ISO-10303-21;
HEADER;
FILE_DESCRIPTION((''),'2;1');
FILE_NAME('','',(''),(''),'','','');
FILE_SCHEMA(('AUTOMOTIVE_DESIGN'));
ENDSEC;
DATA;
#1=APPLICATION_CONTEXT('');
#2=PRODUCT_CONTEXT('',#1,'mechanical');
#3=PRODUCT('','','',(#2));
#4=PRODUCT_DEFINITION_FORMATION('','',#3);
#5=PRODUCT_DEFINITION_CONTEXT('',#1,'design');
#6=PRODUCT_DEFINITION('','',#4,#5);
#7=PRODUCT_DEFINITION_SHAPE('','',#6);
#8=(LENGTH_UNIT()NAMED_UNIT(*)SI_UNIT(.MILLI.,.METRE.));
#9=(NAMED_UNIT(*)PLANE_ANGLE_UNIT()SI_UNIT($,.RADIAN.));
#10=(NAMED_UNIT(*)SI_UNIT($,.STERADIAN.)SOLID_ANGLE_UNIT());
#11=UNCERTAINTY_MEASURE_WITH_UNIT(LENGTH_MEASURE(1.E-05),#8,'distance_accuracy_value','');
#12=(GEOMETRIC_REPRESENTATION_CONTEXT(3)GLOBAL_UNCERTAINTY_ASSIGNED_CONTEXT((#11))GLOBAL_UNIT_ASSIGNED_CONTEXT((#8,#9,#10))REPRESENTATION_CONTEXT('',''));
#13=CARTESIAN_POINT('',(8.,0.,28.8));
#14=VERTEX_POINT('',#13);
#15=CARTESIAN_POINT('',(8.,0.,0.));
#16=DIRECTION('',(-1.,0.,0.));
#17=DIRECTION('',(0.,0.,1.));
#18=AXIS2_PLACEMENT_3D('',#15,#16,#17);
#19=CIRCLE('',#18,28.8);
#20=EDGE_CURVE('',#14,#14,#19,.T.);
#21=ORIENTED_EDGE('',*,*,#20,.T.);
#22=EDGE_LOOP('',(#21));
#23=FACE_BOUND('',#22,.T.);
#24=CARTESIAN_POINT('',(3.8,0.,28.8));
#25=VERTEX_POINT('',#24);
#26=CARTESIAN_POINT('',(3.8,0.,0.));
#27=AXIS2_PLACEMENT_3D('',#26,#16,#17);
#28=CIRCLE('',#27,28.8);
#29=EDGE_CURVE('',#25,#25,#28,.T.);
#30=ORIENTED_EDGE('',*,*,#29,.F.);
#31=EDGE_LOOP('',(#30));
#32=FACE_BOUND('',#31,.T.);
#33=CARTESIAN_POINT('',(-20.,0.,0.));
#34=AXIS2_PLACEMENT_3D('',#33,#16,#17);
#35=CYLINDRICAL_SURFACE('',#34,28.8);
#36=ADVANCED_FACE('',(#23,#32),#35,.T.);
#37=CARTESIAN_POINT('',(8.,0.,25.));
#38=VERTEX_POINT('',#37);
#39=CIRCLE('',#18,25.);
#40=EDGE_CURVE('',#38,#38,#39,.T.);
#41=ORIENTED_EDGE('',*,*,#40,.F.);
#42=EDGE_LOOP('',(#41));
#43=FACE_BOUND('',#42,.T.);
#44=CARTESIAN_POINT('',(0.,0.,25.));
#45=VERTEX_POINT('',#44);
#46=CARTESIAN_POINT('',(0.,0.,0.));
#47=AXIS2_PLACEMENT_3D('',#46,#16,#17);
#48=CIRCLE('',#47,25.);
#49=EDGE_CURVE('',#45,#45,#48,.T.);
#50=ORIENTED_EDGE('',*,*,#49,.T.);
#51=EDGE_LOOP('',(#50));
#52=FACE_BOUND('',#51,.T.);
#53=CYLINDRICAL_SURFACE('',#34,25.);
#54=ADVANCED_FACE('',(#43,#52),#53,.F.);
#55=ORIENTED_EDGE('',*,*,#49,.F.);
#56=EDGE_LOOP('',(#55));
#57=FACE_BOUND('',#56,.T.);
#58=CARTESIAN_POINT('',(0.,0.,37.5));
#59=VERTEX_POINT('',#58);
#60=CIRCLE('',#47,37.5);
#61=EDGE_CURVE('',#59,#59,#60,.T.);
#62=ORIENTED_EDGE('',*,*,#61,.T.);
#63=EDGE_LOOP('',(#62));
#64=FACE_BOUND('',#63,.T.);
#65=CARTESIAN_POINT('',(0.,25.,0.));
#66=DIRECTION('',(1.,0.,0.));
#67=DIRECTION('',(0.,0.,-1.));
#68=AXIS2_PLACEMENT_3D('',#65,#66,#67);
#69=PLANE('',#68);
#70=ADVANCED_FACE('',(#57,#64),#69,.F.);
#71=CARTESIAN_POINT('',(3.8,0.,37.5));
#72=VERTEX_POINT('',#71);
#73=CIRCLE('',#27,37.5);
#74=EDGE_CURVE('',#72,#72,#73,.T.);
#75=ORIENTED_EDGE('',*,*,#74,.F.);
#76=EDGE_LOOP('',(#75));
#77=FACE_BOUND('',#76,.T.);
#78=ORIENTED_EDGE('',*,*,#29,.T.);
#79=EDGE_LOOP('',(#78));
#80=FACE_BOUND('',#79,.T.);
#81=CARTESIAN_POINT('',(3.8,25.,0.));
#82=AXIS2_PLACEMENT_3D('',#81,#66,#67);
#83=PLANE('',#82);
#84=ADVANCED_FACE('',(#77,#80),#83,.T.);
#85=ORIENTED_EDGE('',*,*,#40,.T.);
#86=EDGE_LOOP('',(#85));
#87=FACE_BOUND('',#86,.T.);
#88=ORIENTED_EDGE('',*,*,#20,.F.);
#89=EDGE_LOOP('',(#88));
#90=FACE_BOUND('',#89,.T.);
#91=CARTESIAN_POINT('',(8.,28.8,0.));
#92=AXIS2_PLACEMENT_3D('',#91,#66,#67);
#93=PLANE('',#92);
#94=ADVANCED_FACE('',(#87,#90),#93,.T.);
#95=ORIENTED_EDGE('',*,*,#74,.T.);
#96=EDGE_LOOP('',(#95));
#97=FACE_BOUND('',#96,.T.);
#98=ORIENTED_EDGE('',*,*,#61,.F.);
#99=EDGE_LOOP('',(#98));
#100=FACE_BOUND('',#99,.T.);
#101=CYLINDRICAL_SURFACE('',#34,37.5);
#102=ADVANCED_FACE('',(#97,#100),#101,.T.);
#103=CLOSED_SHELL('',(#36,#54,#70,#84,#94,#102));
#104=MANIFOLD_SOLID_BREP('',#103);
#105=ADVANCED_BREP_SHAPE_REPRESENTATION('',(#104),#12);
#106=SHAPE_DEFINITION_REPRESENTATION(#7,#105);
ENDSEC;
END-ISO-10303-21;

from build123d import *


with BuildPart() as part:
    # Esquisse1 → Base-Révol.-Mince (revolve)
    with BuildSketch(Plane.XY, mode=Mode.PRIVATE) as base_r_vol_mince_sk:
        Polygon((8, 25), (0, 25), (0, 37.5), (3.8, 37.5), (3.8, 28.8), (8, 28.8), align=None)
    revolve(base_r_vol_mince_sk.sketch.rotate(Axis((-20, 0, 0), (1, 0, 0)), 90), axis=Axis((-20, 0, 0), (1, 0, 0)))


solid = part.part
